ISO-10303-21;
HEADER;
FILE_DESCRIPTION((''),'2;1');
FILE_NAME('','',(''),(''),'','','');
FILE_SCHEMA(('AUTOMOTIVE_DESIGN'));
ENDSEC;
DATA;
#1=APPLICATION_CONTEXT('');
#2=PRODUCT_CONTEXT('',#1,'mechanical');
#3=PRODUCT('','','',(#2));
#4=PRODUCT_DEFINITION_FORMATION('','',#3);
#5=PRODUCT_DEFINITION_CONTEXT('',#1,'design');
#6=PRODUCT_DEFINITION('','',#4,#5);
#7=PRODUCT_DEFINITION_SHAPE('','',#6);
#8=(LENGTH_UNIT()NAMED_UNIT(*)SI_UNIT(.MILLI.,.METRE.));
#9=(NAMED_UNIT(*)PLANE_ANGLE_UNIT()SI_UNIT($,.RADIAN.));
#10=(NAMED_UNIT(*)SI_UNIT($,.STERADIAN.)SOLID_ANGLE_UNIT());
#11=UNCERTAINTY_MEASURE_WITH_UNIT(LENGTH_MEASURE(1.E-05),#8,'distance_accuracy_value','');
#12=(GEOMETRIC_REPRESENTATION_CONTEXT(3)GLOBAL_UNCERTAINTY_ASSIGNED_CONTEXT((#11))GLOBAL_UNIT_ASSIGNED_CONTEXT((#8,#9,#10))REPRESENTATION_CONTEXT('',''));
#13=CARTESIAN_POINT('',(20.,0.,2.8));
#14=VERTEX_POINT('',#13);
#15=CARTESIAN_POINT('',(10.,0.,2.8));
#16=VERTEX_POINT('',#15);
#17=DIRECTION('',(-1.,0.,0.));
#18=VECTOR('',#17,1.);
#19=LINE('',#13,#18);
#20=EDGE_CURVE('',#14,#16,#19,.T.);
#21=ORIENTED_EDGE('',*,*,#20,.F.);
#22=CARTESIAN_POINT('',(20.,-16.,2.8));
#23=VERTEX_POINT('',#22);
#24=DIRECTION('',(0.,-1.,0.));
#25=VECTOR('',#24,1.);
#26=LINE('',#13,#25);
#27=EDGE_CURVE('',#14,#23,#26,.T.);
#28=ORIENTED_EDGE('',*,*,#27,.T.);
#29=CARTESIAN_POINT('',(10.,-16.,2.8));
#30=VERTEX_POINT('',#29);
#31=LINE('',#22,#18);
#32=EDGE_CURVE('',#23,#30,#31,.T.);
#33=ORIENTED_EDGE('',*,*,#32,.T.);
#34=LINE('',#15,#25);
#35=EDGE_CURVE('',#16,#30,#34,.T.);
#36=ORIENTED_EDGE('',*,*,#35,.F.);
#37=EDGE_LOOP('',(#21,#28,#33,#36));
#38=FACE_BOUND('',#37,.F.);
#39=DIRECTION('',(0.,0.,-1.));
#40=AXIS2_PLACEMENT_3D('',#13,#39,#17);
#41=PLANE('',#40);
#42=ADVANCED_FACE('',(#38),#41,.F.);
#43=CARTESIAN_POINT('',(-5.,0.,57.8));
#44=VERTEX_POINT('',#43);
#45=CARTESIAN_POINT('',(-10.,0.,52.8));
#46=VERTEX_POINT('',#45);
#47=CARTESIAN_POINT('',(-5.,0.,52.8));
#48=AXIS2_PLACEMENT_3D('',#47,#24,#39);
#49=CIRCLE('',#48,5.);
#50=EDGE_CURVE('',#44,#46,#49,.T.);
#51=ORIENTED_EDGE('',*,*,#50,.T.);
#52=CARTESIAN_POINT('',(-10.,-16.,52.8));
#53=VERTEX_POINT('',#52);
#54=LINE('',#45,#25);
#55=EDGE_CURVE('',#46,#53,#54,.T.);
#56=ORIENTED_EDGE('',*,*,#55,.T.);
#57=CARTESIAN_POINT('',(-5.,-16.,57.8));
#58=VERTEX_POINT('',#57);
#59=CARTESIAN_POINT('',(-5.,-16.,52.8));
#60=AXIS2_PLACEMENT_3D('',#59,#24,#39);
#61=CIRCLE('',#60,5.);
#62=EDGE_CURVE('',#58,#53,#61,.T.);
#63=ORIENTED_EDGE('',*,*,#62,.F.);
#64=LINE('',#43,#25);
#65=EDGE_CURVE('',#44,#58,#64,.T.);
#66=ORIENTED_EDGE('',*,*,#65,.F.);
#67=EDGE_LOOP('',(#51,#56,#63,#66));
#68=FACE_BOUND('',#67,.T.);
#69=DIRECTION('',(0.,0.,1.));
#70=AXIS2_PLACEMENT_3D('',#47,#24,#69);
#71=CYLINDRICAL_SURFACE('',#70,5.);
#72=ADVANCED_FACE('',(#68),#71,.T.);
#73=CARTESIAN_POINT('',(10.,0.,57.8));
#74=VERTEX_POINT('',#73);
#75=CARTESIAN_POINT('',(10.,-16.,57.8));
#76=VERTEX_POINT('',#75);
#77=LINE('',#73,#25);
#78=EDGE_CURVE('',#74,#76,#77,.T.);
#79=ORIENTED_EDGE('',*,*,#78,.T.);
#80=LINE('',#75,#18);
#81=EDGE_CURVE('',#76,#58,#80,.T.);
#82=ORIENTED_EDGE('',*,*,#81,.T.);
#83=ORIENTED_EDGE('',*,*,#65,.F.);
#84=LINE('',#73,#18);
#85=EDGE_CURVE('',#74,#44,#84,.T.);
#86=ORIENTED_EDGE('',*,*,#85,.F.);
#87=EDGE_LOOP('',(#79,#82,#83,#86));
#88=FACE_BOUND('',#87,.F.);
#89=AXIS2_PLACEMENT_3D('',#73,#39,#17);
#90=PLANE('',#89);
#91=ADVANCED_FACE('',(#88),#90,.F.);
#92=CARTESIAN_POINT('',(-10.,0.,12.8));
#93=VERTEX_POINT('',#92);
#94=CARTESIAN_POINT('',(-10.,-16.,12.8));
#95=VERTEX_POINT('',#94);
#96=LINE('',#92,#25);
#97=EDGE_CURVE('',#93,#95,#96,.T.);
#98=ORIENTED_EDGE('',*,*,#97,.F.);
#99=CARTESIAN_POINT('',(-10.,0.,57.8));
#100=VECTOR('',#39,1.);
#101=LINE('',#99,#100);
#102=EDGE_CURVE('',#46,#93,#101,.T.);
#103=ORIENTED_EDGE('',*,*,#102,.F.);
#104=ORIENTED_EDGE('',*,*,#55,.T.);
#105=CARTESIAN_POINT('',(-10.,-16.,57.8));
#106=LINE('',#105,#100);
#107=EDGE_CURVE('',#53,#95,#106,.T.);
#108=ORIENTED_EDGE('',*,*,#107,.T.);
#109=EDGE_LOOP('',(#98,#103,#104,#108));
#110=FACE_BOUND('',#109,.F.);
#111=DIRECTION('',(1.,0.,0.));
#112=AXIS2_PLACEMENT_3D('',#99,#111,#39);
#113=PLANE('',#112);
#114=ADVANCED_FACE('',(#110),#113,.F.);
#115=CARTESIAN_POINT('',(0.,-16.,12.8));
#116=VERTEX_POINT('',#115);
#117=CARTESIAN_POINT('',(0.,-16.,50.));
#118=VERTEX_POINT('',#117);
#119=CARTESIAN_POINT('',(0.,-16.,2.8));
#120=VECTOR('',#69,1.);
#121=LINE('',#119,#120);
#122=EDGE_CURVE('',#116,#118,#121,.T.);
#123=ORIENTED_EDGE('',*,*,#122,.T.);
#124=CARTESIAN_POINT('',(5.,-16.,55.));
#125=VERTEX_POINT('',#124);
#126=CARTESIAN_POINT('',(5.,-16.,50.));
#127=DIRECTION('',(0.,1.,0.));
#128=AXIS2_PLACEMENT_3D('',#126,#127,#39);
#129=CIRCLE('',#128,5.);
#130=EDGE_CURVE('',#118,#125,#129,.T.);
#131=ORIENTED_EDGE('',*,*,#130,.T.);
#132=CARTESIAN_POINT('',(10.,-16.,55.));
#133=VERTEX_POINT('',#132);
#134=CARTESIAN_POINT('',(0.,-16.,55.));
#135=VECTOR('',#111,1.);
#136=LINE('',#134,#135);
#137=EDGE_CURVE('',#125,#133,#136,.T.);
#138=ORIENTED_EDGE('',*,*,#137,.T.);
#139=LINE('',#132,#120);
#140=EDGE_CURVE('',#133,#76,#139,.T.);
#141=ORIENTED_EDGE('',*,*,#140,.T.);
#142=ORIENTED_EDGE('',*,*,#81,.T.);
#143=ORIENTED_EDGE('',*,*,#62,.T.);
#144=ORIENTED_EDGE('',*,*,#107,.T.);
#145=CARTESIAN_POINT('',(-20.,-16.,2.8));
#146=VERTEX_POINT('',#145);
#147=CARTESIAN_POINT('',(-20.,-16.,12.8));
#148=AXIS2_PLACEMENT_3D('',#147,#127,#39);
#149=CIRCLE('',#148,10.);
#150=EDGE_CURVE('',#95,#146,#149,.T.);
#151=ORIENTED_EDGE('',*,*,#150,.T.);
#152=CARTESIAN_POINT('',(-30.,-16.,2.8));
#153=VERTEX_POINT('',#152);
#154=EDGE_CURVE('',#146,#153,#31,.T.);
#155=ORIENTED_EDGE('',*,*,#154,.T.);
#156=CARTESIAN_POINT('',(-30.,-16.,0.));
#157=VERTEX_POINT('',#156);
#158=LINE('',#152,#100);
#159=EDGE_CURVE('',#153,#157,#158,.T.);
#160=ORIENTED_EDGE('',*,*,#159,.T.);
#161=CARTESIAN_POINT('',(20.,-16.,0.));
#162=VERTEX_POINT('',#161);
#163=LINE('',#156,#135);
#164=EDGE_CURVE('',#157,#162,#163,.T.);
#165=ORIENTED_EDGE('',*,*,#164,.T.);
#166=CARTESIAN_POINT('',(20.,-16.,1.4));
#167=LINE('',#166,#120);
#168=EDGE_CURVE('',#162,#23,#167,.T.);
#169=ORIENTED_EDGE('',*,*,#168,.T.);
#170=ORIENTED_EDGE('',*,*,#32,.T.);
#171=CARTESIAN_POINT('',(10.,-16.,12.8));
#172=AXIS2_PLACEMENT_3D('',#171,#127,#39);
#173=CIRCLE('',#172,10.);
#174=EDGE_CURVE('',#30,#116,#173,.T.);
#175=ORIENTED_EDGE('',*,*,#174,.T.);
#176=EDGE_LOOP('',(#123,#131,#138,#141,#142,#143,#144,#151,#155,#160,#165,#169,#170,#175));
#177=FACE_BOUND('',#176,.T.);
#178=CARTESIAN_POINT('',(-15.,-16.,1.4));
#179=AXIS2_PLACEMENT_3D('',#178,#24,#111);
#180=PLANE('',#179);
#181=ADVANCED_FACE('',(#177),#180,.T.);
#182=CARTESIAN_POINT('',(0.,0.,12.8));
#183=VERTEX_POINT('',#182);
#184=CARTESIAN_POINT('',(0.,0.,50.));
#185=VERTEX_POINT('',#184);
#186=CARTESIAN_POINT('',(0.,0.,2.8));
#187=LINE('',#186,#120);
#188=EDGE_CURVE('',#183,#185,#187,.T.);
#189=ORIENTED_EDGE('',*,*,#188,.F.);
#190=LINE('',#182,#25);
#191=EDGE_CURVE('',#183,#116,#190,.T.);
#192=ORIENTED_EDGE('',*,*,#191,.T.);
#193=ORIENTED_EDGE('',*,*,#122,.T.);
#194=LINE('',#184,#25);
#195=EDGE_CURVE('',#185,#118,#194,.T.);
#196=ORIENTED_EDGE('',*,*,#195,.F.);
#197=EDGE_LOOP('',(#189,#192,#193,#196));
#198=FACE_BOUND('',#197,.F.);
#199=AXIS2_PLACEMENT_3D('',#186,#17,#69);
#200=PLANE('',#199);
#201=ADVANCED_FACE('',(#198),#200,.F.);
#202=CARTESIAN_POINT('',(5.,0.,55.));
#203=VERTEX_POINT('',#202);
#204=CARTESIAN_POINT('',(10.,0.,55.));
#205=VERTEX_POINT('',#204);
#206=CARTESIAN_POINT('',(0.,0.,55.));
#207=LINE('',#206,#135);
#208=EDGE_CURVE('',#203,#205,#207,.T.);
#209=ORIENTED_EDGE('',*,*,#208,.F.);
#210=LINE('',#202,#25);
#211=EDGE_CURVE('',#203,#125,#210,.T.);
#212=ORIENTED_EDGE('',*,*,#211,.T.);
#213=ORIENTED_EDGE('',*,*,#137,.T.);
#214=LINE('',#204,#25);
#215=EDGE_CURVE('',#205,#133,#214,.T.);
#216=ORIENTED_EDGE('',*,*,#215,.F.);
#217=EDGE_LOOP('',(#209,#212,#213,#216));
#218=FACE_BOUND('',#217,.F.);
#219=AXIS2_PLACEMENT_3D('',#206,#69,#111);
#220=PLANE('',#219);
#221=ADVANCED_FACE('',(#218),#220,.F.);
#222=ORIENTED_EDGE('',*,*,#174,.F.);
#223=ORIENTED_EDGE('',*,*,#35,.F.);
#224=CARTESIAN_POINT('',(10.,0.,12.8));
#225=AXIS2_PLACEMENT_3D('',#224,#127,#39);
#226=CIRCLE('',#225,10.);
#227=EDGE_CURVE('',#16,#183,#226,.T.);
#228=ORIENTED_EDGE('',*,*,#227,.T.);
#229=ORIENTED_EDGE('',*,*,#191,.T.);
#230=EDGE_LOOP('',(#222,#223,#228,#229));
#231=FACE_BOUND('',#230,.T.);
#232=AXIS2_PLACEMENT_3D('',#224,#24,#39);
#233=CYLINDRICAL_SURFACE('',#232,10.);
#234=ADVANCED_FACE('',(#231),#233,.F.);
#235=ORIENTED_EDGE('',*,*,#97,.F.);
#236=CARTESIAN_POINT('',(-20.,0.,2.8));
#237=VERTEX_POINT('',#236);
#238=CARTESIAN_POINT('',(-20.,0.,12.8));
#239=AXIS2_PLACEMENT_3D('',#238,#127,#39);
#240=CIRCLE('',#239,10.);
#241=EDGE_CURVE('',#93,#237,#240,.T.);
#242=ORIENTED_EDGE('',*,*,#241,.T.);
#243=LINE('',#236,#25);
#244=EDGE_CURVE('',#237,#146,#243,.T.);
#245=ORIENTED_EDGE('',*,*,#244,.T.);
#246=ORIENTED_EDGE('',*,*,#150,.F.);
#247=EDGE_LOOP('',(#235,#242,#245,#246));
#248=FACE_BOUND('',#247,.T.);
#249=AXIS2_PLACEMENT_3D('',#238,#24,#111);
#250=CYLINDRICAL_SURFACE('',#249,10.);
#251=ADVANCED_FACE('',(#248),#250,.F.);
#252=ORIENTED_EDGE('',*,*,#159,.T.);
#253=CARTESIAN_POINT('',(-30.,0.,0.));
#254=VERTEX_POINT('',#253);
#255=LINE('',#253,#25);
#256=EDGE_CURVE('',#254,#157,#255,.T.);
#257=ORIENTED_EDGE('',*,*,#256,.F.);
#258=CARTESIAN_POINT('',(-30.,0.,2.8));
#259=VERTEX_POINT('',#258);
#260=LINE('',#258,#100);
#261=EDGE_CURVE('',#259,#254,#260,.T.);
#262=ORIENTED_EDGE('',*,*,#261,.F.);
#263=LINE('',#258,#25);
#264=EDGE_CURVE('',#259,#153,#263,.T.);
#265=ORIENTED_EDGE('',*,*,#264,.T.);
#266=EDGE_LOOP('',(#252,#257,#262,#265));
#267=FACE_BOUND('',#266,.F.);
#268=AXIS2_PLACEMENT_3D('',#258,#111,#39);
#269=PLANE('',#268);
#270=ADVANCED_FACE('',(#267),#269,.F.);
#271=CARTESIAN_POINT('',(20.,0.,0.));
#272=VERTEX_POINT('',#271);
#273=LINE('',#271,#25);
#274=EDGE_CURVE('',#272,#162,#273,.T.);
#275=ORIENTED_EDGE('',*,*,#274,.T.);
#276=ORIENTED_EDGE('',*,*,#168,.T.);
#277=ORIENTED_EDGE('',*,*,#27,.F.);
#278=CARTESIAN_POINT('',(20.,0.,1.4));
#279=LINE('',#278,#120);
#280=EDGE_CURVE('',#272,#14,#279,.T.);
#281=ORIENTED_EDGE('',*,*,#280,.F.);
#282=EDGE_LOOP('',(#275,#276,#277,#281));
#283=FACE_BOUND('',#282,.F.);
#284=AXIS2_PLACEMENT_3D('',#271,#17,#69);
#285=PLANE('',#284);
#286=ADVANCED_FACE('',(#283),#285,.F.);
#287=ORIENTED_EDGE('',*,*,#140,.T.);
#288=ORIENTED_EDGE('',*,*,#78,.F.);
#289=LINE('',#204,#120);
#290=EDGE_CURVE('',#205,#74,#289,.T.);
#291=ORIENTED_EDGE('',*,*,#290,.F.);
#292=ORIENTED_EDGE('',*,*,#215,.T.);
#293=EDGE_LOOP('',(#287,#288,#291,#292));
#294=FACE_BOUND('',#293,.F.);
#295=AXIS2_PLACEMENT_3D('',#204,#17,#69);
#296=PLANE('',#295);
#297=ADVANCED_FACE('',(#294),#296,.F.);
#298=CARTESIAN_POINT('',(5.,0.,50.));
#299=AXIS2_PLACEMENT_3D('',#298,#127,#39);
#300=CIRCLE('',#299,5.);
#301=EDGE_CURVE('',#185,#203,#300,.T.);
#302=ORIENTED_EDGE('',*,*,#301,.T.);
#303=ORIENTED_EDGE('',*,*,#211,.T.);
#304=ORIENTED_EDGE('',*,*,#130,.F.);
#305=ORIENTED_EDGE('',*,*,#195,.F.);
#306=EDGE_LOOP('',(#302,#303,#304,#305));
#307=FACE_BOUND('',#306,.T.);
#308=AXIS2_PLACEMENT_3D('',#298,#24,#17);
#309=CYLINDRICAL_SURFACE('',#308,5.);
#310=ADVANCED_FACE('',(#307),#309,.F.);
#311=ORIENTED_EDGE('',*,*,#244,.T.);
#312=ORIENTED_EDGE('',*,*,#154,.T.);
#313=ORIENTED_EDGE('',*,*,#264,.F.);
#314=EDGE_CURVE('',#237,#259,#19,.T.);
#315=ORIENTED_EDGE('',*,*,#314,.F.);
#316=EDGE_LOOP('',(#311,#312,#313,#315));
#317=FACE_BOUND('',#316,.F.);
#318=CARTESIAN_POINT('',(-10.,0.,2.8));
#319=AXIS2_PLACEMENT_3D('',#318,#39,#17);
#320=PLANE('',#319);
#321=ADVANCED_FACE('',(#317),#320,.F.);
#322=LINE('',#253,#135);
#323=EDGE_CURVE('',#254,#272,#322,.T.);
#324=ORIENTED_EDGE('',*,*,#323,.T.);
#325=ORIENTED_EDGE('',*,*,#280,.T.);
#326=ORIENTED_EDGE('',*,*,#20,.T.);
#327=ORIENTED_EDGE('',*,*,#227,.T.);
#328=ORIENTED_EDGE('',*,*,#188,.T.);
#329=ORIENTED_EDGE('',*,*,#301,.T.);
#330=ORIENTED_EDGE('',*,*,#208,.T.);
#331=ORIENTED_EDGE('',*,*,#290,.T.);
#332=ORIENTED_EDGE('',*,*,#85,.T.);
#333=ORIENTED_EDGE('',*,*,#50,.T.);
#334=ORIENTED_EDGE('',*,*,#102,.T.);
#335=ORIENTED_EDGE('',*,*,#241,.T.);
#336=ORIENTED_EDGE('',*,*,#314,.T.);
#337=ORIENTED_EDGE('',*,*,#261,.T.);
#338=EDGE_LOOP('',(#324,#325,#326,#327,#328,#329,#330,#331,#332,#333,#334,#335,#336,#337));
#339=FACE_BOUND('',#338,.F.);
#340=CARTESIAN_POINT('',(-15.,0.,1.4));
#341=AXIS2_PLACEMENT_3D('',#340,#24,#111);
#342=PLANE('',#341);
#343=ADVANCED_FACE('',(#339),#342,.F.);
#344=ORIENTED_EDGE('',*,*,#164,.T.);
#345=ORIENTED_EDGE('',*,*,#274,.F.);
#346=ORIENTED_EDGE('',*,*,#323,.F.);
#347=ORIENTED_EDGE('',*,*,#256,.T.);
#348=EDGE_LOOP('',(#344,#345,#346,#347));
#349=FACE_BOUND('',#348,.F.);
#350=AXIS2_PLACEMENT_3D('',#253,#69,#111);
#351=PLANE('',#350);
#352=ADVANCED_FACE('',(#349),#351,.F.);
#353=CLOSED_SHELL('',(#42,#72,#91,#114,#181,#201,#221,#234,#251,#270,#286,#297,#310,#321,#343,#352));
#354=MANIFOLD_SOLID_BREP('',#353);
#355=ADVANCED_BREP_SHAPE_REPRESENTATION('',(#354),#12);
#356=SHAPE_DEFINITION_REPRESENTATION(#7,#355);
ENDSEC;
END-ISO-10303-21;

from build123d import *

# Parameters (mm, degrees)
F0_W     = 20
F0_H     = 2.8
F1_DEPTH = 16
F2_R     = 10
F3_R     = 5


with BuildPart() as f1:
    # F0 (on Front) → F1 (new body)
    with BuildSketch(Plane.XZ):
        Polygon((-30, 0), (0, 0), (0, 2.8), (-10, 2.8), (-30, 2.8), align=None)
        with Locations((10, 1.4)):
            Rectangle(F0_W, F0_H)
        Polygon((-10, 2.8), (0, 2.8), (0, 55), (10, 55), (10, 57.8), (-10, 57.8), align=None)
    extrude(amount=F1_DEPTH)

    # F2
    f2_edges = [f1.edges().sort_by_distance(p)[0] for p in [
        (-10, -8, 2.8),
        (0, -8, 2.8),
    ]]
    fillet(f2_edges, radius=F2_R)

    # F3
    f3_edges = [f1.edges().sort_by_distance(p)[0] for p in [
        (-10, -8, 57.8),
        (0, -8, 55),
    ]]
    fillet(f3_edges, radius=F3_R)


solid = f1.part
